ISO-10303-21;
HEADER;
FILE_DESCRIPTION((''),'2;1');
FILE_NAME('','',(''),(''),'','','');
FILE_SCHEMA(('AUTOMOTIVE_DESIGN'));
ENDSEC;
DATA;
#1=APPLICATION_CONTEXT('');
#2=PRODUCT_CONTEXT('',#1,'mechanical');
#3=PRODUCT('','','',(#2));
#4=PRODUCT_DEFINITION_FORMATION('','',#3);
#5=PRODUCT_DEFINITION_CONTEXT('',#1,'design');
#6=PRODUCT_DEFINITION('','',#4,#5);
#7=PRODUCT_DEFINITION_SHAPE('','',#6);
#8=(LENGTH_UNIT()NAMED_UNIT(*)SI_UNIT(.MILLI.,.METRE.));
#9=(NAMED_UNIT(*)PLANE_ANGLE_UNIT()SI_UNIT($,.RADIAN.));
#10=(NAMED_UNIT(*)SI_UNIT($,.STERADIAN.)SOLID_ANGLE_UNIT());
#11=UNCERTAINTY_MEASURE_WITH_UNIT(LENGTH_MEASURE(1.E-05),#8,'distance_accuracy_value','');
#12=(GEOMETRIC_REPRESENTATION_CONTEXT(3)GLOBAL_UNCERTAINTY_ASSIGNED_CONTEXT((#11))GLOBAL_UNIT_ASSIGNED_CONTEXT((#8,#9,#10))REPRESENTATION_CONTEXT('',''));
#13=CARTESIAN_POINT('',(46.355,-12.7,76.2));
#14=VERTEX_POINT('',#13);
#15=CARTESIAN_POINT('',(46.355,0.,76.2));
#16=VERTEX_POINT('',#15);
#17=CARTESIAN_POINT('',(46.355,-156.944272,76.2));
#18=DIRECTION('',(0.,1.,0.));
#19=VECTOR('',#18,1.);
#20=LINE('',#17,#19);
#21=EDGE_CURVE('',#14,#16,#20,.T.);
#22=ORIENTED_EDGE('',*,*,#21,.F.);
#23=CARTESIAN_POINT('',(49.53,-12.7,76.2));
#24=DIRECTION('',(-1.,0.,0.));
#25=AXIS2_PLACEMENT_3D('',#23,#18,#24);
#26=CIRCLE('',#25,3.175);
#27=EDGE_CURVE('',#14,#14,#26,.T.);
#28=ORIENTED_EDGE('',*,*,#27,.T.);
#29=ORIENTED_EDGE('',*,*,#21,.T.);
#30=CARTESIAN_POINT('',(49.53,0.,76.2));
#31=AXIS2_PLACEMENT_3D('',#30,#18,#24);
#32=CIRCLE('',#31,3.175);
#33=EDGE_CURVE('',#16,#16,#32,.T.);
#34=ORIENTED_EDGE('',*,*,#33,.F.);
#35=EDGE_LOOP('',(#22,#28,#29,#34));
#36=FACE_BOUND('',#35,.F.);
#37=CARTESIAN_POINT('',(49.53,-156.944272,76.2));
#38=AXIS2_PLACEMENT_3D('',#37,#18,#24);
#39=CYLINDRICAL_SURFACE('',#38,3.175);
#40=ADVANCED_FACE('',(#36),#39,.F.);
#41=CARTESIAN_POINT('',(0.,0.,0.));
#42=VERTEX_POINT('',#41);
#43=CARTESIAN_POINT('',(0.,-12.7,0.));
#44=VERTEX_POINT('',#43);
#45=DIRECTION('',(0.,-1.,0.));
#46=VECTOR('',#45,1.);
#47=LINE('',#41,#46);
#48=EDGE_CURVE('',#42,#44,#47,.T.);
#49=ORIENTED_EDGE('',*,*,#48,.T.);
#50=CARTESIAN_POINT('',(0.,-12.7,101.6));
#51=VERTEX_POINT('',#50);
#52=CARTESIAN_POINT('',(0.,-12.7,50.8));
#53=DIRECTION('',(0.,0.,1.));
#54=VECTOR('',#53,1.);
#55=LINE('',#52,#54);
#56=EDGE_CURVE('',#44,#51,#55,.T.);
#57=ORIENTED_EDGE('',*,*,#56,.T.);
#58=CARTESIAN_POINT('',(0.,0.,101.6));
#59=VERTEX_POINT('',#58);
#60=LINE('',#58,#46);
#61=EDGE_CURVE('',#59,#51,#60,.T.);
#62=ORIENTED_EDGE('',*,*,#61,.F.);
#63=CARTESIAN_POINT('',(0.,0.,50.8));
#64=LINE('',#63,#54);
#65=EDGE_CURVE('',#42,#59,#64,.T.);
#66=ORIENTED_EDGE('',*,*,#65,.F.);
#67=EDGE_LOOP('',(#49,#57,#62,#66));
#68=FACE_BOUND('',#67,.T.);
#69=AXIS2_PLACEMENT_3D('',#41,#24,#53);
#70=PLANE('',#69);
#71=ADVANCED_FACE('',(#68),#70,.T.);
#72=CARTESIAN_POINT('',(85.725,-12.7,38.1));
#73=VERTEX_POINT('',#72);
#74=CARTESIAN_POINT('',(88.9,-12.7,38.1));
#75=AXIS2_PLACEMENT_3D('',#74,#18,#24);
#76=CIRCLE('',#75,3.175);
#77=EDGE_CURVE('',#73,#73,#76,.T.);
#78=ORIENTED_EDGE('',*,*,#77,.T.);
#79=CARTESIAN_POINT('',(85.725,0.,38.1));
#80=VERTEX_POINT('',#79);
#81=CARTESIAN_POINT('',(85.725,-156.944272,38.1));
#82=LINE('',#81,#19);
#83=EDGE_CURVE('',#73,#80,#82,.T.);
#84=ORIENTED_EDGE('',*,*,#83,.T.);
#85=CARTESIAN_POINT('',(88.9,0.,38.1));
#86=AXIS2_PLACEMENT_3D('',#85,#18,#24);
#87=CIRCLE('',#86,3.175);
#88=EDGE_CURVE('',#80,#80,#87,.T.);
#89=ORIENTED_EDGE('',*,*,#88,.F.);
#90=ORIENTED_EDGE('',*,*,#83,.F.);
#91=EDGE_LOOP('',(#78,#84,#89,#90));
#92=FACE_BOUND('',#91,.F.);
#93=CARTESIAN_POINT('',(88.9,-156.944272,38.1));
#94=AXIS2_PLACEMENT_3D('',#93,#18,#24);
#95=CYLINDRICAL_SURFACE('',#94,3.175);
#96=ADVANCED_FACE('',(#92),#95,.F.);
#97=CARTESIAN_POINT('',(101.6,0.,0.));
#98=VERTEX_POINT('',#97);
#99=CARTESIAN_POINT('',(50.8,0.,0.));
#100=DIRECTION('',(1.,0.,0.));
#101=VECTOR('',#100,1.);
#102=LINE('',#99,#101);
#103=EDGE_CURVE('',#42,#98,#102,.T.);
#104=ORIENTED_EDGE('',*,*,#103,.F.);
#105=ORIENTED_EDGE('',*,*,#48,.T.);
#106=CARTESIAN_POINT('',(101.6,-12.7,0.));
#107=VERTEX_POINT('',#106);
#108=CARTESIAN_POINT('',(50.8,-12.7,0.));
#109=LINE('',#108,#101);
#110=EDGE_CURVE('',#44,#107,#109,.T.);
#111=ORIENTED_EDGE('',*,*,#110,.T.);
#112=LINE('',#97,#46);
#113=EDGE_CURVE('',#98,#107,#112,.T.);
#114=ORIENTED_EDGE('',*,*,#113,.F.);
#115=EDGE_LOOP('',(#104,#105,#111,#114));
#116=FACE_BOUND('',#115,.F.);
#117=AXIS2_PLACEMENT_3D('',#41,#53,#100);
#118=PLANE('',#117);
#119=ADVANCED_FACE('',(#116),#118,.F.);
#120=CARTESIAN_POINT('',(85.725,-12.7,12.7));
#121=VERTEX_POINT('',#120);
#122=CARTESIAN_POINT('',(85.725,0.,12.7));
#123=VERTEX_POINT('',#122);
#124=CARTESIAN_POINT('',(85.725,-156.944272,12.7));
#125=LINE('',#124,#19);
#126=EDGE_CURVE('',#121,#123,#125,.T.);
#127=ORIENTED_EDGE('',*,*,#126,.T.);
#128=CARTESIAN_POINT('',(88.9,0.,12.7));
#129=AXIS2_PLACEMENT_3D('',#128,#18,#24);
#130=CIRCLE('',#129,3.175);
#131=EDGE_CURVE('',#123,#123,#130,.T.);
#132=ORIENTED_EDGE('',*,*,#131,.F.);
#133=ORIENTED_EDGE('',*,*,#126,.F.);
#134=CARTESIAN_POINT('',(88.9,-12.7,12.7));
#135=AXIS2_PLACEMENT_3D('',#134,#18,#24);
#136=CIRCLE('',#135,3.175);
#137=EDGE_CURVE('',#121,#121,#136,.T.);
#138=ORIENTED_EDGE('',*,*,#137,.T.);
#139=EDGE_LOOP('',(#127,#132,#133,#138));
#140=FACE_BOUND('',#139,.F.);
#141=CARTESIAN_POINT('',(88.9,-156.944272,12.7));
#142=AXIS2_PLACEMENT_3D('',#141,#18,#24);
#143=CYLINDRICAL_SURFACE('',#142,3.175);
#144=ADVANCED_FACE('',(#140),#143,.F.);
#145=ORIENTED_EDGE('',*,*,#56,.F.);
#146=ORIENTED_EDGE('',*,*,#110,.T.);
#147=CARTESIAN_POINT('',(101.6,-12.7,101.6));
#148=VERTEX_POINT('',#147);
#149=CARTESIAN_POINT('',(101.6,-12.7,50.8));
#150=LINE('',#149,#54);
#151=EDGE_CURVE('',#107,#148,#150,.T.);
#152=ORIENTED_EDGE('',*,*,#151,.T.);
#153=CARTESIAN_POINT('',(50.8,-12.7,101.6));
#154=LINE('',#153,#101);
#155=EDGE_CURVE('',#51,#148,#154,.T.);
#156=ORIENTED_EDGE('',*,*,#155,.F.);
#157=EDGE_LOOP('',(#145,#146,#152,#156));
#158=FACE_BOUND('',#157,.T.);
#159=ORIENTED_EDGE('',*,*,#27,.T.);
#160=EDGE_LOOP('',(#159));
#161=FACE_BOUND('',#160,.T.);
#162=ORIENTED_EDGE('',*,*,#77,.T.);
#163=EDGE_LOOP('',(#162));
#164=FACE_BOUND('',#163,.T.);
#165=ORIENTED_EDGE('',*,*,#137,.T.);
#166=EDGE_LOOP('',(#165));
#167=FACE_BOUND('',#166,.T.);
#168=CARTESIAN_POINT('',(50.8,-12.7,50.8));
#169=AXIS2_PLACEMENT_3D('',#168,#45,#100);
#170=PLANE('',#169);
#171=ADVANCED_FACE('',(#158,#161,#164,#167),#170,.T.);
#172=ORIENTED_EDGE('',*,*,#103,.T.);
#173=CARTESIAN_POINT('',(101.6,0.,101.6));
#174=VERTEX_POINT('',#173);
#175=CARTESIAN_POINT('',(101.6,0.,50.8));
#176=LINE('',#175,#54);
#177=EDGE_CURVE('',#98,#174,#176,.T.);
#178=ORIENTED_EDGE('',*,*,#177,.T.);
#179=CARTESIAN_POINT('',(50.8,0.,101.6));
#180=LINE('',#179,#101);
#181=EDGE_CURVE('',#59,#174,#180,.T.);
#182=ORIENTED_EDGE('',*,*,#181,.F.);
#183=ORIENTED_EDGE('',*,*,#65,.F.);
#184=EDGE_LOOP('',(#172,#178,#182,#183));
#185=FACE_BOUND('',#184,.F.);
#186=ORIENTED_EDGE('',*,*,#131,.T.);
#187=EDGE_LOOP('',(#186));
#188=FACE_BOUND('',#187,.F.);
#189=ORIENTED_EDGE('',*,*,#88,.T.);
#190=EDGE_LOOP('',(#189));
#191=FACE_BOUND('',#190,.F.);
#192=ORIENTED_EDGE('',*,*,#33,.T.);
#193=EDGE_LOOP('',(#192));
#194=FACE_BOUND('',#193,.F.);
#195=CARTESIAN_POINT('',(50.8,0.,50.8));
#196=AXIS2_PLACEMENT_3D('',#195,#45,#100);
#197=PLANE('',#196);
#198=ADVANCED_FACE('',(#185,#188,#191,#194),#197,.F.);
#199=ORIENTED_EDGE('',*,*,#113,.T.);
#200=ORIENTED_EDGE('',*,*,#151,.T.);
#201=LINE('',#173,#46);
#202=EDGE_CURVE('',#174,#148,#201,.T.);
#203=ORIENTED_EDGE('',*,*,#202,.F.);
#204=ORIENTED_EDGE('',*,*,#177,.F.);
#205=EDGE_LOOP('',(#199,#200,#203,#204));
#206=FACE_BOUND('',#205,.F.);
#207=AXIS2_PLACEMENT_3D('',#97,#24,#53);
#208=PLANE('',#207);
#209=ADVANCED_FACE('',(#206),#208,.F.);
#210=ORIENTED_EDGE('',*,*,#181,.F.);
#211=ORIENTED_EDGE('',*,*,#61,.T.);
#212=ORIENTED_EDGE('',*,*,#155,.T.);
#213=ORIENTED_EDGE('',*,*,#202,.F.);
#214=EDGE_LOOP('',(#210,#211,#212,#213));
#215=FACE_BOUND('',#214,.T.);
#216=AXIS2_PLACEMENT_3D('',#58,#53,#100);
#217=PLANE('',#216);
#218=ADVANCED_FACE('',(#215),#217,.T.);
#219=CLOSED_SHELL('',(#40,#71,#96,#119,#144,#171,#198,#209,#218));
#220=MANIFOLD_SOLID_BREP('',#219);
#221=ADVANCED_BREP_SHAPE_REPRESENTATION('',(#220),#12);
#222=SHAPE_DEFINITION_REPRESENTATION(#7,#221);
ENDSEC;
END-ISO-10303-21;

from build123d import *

# Parameters (mm, degrees)
F0_W     = 101.6
F0_H     = 101.6
F1_DEPTH = 12.7
F3_D     = 6.35


with BuildPart() as f1:
    # F0 (on Front) → F1 (new body)
    with BuildSketch(Plane.XZ):
        with Locations((50.8, 50.8)):
            Rectangle(F0_W, F0_H)
    extrude(amount=F1_DEPTH)

    # F3 (through all)
    with Locations(Plane.XZ.offset(12.7)):
        with Locations((88.9, 12.7), (88.9, 38.1), (49.53, 76.2)):
            Hole(F3_D / 2)


solid = f1.part
